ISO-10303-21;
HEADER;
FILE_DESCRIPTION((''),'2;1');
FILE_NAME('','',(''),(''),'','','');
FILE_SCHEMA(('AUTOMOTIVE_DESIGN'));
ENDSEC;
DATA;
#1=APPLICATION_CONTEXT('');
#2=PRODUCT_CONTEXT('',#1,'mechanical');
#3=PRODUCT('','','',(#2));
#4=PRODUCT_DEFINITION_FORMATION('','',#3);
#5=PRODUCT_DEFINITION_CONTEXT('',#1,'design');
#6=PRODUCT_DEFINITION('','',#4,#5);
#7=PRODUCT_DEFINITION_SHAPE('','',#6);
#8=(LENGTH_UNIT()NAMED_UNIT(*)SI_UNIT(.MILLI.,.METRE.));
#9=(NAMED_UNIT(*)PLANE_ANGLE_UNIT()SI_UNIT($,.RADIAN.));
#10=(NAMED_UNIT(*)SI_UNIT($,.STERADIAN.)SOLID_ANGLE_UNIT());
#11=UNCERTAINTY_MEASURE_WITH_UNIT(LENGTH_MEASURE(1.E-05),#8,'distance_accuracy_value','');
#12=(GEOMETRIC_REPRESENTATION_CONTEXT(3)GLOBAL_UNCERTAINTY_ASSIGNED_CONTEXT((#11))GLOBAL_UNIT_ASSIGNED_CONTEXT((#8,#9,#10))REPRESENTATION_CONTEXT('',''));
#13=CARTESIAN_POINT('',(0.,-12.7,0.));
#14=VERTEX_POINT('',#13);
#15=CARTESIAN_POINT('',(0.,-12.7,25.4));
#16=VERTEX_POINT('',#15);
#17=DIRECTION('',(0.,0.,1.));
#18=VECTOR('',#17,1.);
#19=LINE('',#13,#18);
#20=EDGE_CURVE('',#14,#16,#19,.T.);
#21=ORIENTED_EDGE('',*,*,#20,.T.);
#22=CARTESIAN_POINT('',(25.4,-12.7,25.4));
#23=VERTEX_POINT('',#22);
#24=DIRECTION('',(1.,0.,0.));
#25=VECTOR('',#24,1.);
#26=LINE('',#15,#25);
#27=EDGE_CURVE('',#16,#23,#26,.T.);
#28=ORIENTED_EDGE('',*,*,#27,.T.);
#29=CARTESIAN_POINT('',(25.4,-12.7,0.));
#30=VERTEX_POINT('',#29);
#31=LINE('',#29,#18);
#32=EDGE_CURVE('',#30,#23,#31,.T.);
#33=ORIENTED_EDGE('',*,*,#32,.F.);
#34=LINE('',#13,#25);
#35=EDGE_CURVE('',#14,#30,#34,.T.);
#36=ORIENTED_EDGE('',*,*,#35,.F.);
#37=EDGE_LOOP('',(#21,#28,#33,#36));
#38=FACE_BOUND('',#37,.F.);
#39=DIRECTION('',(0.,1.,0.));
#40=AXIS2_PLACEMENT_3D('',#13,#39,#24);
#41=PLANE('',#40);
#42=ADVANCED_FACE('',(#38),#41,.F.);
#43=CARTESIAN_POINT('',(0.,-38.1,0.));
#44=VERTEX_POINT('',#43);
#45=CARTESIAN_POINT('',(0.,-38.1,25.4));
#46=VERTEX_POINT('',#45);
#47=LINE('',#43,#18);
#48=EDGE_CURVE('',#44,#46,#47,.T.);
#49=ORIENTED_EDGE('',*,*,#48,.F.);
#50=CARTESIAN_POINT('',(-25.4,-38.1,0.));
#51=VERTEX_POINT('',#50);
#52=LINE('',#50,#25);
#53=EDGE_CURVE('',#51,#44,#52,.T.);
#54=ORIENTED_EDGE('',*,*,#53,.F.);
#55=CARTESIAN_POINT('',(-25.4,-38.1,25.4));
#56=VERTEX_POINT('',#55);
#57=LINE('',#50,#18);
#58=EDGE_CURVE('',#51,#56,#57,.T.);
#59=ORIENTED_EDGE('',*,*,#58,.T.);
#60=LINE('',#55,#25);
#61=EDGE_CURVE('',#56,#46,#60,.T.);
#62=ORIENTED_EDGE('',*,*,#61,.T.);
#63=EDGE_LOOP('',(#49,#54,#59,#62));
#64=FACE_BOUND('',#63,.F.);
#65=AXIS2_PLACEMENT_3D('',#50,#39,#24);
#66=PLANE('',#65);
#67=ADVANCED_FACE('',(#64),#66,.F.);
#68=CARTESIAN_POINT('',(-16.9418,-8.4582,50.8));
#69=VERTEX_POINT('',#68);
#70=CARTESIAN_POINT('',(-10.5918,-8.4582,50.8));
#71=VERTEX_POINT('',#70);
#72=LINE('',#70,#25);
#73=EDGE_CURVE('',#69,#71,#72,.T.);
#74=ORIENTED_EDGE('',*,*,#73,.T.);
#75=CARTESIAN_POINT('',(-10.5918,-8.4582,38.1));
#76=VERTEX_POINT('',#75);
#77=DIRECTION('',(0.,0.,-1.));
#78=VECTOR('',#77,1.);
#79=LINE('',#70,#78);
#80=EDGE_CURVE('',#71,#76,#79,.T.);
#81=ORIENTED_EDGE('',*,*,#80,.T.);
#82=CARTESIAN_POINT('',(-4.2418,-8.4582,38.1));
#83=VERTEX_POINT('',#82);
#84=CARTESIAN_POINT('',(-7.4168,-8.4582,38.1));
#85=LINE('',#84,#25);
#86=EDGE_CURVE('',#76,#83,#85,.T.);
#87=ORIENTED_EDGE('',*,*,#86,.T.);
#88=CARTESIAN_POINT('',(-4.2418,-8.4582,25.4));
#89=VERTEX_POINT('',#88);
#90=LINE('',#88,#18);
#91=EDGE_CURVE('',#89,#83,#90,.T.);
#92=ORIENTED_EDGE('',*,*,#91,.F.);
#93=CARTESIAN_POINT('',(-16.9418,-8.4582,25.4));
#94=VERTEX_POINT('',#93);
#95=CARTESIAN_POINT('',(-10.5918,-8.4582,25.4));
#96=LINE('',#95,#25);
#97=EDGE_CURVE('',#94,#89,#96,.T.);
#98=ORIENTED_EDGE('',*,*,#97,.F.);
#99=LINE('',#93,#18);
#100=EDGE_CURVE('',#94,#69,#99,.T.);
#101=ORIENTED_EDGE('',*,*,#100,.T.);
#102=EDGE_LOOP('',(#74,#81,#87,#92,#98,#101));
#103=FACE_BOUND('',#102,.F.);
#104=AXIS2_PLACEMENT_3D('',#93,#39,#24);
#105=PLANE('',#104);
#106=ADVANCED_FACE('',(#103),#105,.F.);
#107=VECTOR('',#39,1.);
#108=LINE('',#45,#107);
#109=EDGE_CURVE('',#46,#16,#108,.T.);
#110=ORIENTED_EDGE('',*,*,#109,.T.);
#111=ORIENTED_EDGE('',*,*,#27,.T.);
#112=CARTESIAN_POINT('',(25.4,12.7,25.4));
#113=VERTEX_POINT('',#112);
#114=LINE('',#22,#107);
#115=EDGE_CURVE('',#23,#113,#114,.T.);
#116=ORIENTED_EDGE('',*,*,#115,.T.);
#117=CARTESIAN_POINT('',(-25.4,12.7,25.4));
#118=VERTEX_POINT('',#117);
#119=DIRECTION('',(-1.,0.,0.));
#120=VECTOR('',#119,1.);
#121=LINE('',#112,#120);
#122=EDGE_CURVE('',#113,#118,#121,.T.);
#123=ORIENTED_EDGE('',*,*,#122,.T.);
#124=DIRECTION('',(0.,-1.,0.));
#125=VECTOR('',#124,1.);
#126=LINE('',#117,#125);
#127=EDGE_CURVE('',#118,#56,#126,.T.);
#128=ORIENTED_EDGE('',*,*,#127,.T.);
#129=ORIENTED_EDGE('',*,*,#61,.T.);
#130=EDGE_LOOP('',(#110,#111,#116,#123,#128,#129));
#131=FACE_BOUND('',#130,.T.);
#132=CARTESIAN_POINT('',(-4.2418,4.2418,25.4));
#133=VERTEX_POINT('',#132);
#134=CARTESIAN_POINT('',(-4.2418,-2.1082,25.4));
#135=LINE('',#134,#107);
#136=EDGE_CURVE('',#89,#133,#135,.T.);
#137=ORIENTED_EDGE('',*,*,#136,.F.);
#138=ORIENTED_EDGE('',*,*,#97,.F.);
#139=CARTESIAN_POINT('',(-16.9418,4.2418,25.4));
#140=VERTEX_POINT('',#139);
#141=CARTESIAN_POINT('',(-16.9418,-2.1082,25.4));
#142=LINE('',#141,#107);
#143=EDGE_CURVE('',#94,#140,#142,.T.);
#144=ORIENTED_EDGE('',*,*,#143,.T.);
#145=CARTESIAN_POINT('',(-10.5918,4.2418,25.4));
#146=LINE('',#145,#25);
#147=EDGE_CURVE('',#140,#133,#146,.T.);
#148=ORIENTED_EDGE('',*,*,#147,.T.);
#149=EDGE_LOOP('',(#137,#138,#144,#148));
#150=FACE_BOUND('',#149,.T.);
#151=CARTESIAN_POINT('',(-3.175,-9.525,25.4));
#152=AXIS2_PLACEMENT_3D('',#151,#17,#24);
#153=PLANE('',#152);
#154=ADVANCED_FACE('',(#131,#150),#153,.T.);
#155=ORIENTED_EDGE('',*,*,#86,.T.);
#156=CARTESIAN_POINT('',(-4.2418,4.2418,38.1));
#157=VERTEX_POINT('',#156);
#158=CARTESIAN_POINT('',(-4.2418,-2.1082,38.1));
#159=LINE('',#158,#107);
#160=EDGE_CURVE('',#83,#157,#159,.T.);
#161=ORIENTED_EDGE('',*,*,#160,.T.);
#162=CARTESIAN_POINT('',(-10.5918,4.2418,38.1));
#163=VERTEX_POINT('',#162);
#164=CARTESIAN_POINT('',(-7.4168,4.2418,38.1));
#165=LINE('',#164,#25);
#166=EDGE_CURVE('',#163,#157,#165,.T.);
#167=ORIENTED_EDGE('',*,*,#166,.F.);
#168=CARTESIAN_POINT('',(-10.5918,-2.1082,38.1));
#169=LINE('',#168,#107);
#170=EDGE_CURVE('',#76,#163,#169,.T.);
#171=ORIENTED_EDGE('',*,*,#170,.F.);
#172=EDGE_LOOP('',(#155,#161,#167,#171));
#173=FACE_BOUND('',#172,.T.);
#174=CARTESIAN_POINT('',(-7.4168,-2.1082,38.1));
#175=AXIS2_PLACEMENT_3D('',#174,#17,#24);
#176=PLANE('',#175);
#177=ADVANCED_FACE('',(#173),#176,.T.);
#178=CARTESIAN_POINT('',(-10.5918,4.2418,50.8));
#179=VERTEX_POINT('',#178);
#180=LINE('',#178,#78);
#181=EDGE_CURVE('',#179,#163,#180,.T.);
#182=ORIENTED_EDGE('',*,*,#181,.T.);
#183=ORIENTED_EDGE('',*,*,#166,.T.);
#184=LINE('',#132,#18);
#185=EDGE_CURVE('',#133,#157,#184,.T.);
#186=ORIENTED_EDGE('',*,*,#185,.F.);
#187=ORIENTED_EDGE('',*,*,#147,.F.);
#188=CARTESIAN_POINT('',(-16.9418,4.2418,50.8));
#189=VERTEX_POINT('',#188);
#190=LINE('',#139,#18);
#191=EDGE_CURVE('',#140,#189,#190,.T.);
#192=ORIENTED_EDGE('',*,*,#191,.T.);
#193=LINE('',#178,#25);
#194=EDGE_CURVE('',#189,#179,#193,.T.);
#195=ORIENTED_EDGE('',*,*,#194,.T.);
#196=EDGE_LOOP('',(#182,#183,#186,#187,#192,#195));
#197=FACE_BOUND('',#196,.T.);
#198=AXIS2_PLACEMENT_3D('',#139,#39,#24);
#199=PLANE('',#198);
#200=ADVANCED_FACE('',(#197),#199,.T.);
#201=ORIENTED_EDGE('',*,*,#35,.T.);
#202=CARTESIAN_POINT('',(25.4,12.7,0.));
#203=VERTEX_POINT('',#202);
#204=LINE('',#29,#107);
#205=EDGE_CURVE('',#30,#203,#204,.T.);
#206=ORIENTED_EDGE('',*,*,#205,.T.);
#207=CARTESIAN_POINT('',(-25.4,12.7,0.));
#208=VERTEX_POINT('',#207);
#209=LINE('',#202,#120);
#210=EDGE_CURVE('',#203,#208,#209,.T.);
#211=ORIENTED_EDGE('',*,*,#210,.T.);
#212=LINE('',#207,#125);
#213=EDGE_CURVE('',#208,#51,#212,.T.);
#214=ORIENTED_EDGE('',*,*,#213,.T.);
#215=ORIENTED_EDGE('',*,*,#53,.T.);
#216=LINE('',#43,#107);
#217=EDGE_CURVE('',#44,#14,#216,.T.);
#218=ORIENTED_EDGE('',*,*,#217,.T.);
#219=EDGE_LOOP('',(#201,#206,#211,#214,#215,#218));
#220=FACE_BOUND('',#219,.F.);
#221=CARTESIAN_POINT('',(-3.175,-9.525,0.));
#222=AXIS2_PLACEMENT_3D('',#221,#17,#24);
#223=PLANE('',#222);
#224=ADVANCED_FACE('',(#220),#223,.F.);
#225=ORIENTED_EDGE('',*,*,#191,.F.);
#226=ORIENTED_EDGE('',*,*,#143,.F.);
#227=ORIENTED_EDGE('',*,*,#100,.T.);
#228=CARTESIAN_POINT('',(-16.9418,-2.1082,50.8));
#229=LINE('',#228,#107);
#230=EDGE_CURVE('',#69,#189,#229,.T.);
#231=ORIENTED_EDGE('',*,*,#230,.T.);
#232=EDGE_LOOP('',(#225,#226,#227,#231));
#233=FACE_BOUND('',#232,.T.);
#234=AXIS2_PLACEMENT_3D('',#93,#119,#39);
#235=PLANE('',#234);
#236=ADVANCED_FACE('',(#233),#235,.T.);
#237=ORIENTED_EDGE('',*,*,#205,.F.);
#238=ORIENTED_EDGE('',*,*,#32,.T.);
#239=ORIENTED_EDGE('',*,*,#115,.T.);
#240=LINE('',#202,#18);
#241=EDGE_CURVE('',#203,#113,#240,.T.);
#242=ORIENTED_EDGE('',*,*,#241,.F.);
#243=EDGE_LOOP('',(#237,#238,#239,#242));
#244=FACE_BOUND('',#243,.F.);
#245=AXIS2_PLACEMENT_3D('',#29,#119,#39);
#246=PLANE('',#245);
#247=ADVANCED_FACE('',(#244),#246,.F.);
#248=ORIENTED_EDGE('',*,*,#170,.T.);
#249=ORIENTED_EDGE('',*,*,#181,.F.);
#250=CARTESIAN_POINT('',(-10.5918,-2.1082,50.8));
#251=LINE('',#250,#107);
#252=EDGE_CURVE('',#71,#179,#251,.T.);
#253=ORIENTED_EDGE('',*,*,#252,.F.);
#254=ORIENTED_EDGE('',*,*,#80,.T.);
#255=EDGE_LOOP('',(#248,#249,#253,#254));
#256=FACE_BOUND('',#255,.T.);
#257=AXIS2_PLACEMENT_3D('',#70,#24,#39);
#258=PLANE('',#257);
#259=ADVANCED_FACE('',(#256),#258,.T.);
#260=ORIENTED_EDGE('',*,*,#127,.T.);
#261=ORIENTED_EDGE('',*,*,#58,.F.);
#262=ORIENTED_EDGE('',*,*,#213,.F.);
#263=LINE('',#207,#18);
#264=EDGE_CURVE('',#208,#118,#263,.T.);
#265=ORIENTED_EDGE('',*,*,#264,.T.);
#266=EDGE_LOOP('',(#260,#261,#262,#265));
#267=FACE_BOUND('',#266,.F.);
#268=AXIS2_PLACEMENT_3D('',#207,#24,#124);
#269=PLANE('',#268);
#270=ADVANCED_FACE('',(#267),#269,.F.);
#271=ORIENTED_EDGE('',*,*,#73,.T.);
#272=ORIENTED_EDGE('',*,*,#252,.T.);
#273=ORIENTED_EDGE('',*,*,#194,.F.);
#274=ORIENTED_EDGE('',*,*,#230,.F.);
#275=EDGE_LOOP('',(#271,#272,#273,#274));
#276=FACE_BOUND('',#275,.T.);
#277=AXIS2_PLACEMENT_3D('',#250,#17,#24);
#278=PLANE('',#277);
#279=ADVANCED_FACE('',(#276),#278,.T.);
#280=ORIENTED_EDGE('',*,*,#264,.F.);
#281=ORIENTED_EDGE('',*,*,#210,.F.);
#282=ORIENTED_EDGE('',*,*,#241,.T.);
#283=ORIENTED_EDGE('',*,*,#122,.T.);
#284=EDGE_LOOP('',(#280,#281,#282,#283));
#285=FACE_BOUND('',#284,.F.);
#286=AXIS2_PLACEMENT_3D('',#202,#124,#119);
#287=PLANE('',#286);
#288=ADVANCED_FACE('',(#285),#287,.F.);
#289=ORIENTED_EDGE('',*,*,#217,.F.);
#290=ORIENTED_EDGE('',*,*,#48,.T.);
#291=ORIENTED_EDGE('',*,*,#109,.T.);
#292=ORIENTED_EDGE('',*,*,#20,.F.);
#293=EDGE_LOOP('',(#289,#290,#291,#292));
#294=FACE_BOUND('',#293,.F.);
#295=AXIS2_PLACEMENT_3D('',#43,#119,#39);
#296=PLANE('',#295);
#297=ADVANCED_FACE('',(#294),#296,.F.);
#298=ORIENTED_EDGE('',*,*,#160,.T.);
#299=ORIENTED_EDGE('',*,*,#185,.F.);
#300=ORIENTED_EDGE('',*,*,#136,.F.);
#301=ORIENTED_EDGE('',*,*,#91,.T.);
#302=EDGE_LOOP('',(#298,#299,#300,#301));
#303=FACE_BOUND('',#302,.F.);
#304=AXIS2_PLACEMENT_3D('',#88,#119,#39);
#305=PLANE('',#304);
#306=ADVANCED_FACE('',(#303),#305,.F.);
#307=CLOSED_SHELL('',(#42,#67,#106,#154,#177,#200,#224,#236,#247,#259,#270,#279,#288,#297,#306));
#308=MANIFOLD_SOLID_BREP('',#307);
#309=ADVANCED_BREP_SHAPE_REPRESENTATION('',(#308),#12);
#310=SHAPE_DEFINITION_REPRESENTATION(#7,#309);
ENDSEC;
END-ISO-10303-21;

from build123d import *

# Parameters (mm, degrees)
F1_DEPTH = 25.4
F2_W     = 12.7
F2_H     = 12.7
F3_DEPTH = 25.4
F4_W     = 6.35
F4_H     = 12.7
F5_DEPTH = 12.7


with BuildPart() as f1:
    # F0 (on Top) → F1 (new body)
    with BuildSketch(Plane.XY):
        Polygon((25.4, -12.7), (25.4, 12.7), (0, 12.7), (-25.4, 12.7), (-25.4, -12.7), (-25.4, -38.1), (0, -38.1), (0, -12.7), align=None)
    extrude(amount=F1_DEPTH)

    # F2 (on face) → F3 (join)
    with BuildSketch(Plane.XY.offset(25.4)):
        with Locations((-10.5918, -2.1082)):
            Rectangle(F2_W, F2_H)
    extrude(amount=F3_DEPTH)

    # F4 (on face) → F5 (cut)
    with BuildSketch(Plane.XY.offset(50.8)):
        with Locations((-7.4168, -2.1082)):
            Rectangle(F4_W, F4_H)
    extrude(amount=-F5_DEPTH, mode=Mode.SUBTRACT)


solid = f1.part
